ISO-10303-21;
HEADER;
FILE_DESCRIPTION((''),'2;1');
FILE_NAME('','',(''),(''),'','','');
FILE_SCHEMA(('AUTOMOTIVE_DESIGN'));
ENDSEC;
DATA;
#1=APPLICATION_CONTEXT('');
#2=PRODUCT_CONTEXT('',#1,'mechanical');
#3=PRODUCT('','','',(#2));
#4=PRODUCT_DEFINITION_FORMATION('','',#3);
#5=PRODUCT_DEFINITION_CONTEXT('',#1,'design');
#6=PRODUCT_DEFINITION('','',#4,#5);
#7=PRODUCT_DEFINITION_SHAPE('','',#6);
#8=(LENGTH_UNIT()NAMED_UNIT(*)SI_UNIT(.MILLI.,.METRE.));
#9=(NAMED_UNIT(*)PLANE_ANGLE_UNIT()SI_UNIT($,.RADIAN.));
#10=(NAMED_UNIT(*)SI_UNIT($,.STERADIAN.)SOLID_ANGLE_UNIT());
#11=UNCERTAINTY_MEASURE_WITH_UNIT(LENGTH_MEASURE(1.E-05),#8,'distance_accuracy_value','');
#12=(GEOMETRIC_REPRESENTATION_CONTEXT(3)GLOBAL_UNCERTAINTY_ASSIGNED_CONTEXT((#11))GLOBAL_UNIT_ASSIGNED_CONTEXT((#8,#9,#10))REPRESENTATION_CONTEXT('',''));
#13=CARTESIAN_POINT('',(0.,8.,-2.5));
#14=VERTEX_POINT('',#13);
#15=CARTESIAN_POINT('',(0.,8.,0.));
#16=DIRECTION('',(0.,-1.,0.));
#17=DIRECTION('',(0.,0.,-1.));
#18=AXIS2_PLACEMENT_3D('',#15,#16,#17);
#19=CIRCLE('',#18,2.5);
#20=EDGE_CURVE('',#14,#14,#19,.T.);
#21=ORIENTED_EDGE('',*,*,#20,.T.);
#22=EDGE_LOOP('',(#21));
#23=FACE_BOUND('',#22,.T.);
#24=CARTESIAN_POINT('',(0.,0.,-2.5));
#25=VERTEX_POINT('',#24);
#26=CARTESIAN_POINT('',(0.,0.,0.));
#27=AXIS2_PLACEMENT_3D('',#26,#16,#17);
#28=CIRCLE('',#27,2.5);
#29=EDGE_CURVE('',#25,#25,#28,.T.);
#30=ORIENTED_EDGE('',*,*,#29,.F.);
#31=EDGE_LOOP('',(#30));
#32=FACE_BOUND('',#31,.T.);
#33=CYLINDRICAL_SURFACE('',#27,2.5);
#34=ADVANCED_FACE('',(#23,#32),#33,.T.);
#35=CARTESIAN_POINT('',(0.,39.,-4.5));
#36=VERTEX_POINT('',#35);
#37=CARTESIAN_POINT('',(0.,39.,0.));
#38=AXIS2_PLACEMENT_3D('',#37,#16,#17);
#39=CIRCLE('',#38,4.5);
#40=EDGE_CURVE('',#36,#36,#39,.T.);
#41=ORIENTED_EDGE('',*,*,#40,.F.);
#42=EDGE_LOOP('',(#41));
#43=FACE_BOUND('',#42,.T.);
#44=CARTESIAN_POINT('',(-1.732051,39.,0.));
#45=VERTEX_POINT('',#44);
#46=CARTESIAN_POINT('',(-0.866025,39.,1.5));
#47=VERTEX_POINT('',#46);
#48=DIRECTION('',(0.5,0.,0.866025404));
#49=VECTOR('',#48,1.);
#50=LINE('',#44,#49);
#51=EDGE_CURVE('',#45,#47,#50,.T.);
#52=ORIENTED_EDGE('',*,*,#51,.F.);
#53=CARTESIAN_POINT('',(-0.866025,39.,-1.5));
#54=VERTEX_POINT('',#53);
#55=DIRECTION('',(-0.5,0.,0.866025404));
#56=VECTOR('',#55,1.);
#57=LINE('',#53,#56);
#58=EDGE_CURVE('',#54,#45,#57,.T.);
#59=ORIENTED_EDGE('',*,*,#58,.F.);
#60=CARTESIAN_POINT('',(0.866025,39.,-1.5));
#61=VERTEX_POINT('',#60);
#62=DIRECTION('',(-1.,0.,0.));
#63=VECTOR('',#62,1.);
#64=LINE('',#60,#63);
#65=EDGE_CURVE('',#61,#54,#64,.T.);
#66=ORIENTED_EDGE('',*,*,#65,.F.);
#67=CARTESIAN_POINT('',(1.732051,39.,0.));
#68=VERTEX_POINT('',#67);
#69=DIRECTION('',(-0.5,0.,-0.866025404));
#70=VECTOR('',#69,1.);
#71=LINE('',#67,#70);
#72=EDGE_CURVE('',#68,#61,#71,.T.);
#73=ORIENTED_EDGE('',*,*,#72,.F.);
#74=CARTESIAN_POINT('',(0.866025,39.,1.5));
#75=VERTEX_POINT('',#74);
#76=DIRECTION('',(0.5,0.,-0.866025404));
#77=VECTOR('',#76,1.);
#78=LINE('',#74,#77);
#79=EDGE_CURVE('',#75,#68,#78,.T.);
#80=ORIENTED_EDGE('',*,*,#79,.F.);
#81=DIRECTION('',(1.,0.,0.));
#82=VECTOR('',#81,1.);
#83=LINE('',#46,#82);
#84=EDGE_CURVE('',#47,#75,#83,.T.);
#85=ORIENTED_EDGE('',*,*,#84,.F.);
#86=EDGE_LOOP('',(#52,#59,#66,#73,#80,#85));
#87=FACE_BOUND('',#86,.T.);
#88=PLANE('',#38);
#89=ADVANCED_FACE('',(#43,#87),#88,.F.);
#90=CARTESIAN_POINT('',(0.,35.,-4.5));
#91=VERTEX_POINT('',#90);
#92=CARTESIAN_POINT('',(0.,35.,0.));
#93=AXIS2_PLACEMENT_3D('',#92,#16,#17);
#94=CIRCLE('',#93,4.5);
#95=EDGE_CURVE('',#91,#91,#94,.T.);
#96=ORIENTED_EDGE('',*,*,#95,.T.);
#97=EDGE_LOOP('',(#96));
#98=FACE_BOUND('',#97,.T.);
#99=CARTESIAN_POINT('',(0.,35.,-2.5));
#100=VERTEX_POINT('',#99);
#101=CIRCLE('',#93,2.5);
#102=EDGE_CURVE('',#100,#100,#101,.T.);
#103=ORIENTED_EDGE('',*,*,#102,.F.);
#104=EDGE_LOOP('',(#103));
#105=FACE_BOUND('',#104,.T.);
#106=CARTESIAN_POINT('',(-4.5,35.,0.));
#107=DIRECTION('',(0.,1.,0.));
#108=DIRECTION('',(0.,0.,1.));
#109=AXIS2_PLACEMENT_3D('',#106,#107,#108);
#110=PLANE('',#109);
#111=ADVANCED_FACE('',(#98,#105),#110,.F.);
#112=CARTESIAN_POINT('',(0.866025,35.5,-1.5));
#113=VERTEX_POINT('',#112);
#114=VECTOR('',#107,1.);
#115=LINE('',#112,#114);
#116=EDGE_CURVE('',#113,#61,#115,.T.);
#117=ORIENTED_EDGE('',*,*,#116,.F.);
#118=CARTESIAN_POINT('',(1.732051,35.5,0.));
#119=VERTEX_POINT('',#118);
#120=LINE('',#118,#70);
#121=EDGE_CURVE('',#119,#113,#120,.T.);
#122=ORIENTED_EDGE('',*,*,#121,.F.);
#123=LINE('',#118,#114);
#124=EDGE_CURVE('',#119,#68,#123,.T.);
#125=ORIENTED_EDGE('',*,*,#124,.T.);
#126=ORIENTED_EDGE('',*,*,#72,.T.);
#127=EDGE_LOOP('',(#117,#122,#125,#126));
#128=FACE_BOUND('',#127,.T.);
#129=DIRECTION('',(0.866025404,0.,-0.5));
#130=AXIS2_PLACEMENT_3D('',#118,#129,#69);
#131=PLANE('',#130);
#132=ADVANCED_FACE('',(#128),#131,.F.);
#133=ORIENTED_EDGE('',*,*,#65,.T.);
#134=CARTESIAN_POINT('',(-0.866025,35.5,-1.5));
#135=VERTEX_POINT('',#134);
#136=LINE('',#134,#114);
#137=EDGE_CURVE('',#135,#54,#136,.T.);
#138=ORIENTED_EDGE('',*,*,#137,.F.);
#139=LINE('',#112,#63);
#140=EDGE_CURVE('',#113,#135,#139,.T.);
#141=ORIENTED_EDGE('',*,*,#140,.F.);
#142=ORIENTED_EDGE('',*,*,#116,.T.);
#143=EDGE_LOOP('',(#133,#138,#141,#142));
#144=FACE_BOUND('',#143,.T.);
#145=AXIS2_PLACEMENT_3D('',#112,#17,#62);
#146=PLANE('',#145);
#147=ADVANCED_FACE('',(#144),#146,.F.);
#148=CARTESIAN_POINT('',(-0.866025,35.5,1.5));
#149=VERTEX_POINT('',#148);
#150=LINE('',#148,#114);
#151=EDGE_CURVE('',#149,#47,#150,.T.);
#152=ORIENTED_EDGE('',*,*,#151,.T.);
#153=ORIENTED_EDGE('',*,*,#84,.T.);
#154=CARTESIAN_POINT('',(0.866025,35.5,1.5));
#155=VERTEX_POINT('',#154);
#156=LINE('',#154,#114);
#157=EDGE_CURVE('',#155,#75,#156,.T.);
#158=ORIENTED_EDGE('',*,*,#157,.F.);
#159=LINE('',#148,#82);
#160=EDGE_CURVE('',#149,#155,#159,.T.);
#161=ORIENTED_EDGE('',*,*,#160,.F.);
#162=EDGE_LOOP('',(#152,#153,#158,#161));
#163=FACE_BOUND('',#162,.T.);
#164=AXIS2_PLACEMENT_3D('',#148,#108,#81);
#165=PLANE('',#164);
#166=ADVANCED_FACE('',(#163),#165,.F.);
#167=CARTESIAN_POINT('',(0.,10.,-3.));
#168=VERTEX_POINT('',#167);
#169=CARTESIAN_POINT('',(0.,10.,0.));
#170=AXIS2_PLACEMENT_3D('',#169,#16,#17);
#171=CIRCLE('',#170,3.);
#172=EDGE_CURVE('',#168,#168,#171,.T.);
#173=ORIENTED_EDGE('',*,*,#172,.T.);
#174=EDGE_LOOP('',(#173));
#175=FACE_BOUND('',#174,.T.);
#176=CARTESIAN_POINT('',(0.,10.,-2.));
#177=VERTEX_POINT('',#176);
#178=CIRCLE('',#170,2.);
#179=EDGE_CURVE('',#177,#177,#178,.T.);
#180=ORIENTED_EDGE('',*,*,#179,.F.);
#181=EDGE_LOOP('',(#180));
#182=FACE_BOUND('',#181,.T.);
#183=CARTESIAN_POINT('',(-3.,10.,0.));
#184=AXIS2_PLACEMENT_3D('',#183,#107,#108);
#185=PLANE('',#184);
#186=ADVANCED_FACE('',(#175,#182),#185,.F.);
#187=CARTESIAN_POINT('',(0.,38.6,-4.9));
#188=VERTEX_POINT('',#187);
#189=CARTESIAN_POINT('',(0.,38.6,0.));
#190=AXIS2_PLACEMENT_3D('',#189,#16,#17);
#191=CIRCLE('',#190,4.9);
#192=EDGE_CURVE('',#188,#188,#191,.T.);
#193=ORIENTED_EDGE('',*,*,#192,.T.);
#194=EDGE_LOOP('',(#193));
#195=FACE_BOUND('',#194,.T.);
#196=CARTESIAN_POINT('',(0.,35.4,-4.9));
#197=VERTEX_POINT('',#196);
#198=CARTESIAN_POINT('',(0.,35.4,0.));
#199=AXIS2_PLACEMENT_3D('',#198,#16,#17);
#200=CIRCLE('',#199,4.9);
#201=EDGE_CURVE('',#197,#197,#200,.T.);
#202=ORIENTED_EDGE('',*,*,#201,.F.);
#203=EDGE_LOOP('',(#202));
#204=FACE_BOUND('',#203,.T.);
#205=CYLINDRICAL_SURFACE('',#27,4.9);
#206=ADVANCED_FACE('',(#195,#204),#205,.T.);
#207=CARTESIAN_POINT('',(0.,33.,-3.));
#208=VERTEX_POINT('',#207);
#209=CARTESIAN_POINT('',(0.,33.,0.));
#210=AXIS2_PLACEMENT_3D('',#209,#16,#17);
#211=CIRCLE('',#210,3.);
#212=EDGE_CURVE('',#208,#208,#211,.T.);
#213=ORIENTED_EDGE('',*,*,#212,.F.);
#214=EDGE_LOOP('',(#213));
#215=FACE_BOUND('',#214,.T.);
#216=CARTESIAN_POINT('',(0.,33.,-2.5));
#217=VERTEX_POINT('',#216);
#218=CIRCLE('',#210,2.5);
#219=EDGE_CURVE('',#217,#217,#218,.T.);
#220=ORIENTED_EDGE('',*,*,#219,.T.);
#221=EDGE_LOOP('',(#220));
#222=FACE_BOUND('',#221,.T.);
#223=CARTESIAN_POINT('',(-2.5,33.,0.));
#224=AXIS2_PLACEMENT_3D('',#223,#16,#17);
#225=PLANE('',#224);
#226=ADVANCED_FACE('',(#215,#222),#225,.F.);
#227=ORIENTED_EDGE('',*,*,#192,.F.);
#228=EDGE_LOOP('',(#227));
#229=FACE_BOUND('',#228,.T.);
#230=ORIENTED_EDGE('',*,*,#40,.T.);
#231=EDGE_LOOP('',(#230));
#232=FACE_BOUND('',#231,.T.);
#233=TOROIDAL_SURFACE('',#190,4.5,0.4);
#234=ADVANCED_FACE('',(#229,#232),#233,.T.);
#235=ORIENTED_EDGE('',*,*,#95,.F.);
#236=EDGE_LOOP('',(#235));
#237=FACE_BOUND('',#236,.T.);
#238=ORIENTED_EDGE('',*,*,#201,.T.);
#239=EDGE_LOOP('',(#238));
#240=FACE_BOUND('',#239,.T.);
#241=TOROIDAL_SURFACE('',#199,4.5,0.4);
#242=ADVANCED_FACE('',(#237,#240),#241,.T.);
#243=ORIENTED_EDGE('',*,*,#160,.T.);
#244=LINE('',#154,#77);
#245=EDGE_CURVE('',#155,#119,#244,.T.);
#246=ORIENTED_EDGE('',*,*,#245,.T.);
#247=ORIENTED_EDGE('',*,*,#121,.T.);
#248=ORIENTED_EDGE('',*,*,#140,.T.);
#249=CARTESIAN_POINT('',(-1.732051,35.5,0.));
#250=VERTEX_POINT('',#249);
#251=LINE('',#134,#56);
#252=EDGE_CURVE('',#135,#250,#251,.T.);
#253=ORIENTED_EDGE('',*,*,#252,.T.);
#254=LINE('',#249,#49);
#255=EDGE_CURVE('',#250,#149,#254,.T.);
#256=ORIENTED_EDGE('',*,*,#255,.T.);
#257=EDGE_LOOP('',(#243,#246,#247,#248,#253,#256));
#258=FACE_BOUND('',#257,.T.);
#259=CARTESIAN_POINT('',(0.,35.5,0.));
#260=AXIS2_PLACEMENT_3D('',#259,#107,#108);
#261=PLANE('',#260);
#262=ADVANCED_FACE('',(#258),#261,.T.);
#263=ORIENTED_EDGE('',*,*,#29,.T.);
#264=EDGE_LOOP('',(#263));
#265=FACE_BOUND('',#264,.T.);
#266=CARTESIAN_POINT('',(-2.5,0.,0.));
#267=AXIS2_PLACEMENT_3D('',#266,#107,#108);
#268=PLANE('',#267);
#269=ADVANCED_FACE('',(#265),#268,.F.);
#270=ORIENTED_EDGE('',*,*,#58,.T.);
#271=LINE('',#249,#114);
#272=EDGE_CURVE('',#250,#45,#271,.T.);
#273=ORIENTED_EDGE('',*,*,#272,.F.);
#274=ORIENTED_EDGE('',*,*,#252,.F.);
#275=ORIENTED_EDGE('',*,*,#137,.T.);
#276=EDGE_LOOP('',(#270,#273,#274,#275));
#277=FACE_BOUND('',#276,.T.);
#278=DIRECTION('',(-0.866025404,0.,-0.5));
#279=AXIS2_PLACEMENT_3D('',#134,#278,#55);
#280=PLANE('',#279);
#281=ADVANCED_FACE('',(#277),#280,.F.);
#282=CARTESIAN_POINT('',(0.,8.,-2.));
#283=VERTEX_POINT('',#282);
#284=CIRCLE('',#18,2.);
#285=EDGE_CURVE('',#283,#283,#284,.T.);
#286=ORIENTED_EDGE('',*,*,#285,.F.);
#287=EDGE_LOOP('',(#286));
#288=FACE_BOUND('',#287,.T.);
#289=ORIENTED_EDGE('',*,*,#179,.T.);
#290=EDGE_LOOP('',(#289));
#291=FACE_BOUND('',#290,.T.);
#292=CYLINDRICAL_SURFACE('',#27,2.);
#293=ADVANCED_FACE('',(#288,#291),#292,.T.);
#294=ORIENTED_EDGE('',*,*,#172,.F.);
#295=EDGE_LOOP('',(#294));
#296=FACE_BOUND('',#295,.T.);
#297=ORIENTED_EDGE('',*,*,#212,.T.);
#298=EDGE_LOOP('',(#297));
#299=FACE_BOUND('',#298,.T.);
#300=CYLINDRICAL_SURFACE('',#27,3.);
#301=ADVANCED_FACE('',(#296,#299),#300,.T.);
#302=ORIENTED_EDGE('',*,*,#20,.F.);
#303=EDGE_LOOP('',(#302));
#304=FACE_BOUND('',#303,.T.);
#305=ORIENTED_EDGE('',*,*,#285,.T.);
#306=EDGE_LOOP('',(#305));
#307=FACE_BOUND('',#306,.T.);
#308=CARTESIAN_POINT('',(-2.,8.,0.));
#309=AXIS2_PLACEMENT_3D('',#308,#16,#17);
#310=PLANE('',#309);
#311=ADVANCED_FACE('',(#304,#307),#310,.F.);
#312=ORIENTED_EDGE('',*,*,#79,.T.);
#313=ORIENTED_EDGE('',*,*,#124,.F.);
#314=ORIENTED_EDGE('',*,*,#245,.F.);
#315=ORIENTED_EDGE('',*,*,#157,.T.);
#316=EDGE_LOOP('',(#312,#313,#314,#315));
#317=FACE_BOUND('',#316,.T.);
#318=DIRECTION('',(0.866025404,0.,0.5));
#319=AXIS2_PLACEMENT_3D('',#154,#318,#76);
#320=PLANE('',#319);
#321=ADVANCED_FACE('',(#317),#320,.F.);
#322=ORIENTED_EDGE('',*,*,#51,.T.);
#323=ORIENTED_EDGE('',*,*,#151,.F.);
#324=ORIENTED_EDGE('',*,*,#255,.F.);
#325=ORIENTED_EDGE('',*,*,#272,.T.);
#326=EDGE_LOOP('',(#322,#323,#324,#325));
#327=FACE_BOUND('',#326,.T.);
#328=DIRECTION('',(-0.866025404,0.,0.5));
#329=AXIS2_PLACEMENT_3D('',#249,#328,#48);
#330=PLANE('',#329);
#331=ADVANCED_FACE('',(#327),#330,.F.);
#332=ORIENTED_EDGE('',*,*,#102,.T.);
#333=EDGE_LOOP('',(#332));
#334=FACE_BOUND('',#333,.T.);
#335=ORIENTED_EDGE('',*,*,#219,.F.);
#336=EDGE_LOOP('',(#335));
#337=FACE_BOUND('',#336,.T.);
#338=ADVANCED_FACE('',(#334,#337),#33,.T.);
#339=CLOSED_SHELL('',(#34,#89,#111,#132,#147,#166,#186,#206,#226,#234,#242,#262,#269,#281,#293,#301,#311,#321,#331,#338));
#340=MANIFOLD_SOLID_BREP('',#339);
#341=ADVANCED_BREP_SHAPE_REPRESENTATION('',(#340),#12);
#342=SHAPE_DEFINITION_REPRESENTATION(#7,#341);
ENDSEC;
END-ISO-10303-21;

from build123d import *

# Parameters (mm, degrees)
CUT_EXTRUDE_1_DEPTH = 3.5


with BuildPart() as part:
    # 草图1 → 旋转1 (revolve)
    with BuildSketch(Plane.XY, mode=Mode.PRIVATE) as revolve_1_sk:
        with BuildLine():
            Line((0, 39), (-4.5, 39))
            ThreePointArc((-4.5, 39), (-4.782842712, 38.882842712), (-4.9, 38.6))
            Line((-4.9, 38.6), (-4.9, 35.4))
            ThreePointArc((-4.9, 35.4), (-4.782842712, 35.117157288), (-4.5, 35))
            Line((-4.5, 35), (-2.5, 35))
            Line((-2.5, 35), (-2.5, 33))
            Line((-2.5, 33), (-3, 33))
            Line((-3, 33), (-3, 10))
            Line((-3, 10), (-2, 10))
            Line((-2, 10), (-2, 8))
            Line((-2, 8), (-2.5, 8))
            Line((-2.5, 8), (-2.5, 0))
            Line((-2.5, 0), (0, 0))
            Line((0, 0), (0, 39))
        make_face()
    revolve(revolve_1_sk.sketch.rotate(Axis((0, 0, 0), (0, 1, 0)), 270), axis=Axis((0, 0, 0), (0, 1, 0)))

    # 草图2 → 切除-拉伸1 (cut)
    with BuildSketch(Plane(origin=(0, 39, 0), x_dir=(1, 0, 0), z_dir=(0, 1, 0))):
        Polygon((0.866025404, 1.5), (-0.866025404, 1.5), (-1.732050808, 0), (-0.866025404, -1.5), (0.866025404, -1.5), (1.732050808, 0), align=None)
    extrude(amount=-CUT_EXTRUDE_1_DEPTH, mode=Mode.SUBTRACT)


solid = part.part
